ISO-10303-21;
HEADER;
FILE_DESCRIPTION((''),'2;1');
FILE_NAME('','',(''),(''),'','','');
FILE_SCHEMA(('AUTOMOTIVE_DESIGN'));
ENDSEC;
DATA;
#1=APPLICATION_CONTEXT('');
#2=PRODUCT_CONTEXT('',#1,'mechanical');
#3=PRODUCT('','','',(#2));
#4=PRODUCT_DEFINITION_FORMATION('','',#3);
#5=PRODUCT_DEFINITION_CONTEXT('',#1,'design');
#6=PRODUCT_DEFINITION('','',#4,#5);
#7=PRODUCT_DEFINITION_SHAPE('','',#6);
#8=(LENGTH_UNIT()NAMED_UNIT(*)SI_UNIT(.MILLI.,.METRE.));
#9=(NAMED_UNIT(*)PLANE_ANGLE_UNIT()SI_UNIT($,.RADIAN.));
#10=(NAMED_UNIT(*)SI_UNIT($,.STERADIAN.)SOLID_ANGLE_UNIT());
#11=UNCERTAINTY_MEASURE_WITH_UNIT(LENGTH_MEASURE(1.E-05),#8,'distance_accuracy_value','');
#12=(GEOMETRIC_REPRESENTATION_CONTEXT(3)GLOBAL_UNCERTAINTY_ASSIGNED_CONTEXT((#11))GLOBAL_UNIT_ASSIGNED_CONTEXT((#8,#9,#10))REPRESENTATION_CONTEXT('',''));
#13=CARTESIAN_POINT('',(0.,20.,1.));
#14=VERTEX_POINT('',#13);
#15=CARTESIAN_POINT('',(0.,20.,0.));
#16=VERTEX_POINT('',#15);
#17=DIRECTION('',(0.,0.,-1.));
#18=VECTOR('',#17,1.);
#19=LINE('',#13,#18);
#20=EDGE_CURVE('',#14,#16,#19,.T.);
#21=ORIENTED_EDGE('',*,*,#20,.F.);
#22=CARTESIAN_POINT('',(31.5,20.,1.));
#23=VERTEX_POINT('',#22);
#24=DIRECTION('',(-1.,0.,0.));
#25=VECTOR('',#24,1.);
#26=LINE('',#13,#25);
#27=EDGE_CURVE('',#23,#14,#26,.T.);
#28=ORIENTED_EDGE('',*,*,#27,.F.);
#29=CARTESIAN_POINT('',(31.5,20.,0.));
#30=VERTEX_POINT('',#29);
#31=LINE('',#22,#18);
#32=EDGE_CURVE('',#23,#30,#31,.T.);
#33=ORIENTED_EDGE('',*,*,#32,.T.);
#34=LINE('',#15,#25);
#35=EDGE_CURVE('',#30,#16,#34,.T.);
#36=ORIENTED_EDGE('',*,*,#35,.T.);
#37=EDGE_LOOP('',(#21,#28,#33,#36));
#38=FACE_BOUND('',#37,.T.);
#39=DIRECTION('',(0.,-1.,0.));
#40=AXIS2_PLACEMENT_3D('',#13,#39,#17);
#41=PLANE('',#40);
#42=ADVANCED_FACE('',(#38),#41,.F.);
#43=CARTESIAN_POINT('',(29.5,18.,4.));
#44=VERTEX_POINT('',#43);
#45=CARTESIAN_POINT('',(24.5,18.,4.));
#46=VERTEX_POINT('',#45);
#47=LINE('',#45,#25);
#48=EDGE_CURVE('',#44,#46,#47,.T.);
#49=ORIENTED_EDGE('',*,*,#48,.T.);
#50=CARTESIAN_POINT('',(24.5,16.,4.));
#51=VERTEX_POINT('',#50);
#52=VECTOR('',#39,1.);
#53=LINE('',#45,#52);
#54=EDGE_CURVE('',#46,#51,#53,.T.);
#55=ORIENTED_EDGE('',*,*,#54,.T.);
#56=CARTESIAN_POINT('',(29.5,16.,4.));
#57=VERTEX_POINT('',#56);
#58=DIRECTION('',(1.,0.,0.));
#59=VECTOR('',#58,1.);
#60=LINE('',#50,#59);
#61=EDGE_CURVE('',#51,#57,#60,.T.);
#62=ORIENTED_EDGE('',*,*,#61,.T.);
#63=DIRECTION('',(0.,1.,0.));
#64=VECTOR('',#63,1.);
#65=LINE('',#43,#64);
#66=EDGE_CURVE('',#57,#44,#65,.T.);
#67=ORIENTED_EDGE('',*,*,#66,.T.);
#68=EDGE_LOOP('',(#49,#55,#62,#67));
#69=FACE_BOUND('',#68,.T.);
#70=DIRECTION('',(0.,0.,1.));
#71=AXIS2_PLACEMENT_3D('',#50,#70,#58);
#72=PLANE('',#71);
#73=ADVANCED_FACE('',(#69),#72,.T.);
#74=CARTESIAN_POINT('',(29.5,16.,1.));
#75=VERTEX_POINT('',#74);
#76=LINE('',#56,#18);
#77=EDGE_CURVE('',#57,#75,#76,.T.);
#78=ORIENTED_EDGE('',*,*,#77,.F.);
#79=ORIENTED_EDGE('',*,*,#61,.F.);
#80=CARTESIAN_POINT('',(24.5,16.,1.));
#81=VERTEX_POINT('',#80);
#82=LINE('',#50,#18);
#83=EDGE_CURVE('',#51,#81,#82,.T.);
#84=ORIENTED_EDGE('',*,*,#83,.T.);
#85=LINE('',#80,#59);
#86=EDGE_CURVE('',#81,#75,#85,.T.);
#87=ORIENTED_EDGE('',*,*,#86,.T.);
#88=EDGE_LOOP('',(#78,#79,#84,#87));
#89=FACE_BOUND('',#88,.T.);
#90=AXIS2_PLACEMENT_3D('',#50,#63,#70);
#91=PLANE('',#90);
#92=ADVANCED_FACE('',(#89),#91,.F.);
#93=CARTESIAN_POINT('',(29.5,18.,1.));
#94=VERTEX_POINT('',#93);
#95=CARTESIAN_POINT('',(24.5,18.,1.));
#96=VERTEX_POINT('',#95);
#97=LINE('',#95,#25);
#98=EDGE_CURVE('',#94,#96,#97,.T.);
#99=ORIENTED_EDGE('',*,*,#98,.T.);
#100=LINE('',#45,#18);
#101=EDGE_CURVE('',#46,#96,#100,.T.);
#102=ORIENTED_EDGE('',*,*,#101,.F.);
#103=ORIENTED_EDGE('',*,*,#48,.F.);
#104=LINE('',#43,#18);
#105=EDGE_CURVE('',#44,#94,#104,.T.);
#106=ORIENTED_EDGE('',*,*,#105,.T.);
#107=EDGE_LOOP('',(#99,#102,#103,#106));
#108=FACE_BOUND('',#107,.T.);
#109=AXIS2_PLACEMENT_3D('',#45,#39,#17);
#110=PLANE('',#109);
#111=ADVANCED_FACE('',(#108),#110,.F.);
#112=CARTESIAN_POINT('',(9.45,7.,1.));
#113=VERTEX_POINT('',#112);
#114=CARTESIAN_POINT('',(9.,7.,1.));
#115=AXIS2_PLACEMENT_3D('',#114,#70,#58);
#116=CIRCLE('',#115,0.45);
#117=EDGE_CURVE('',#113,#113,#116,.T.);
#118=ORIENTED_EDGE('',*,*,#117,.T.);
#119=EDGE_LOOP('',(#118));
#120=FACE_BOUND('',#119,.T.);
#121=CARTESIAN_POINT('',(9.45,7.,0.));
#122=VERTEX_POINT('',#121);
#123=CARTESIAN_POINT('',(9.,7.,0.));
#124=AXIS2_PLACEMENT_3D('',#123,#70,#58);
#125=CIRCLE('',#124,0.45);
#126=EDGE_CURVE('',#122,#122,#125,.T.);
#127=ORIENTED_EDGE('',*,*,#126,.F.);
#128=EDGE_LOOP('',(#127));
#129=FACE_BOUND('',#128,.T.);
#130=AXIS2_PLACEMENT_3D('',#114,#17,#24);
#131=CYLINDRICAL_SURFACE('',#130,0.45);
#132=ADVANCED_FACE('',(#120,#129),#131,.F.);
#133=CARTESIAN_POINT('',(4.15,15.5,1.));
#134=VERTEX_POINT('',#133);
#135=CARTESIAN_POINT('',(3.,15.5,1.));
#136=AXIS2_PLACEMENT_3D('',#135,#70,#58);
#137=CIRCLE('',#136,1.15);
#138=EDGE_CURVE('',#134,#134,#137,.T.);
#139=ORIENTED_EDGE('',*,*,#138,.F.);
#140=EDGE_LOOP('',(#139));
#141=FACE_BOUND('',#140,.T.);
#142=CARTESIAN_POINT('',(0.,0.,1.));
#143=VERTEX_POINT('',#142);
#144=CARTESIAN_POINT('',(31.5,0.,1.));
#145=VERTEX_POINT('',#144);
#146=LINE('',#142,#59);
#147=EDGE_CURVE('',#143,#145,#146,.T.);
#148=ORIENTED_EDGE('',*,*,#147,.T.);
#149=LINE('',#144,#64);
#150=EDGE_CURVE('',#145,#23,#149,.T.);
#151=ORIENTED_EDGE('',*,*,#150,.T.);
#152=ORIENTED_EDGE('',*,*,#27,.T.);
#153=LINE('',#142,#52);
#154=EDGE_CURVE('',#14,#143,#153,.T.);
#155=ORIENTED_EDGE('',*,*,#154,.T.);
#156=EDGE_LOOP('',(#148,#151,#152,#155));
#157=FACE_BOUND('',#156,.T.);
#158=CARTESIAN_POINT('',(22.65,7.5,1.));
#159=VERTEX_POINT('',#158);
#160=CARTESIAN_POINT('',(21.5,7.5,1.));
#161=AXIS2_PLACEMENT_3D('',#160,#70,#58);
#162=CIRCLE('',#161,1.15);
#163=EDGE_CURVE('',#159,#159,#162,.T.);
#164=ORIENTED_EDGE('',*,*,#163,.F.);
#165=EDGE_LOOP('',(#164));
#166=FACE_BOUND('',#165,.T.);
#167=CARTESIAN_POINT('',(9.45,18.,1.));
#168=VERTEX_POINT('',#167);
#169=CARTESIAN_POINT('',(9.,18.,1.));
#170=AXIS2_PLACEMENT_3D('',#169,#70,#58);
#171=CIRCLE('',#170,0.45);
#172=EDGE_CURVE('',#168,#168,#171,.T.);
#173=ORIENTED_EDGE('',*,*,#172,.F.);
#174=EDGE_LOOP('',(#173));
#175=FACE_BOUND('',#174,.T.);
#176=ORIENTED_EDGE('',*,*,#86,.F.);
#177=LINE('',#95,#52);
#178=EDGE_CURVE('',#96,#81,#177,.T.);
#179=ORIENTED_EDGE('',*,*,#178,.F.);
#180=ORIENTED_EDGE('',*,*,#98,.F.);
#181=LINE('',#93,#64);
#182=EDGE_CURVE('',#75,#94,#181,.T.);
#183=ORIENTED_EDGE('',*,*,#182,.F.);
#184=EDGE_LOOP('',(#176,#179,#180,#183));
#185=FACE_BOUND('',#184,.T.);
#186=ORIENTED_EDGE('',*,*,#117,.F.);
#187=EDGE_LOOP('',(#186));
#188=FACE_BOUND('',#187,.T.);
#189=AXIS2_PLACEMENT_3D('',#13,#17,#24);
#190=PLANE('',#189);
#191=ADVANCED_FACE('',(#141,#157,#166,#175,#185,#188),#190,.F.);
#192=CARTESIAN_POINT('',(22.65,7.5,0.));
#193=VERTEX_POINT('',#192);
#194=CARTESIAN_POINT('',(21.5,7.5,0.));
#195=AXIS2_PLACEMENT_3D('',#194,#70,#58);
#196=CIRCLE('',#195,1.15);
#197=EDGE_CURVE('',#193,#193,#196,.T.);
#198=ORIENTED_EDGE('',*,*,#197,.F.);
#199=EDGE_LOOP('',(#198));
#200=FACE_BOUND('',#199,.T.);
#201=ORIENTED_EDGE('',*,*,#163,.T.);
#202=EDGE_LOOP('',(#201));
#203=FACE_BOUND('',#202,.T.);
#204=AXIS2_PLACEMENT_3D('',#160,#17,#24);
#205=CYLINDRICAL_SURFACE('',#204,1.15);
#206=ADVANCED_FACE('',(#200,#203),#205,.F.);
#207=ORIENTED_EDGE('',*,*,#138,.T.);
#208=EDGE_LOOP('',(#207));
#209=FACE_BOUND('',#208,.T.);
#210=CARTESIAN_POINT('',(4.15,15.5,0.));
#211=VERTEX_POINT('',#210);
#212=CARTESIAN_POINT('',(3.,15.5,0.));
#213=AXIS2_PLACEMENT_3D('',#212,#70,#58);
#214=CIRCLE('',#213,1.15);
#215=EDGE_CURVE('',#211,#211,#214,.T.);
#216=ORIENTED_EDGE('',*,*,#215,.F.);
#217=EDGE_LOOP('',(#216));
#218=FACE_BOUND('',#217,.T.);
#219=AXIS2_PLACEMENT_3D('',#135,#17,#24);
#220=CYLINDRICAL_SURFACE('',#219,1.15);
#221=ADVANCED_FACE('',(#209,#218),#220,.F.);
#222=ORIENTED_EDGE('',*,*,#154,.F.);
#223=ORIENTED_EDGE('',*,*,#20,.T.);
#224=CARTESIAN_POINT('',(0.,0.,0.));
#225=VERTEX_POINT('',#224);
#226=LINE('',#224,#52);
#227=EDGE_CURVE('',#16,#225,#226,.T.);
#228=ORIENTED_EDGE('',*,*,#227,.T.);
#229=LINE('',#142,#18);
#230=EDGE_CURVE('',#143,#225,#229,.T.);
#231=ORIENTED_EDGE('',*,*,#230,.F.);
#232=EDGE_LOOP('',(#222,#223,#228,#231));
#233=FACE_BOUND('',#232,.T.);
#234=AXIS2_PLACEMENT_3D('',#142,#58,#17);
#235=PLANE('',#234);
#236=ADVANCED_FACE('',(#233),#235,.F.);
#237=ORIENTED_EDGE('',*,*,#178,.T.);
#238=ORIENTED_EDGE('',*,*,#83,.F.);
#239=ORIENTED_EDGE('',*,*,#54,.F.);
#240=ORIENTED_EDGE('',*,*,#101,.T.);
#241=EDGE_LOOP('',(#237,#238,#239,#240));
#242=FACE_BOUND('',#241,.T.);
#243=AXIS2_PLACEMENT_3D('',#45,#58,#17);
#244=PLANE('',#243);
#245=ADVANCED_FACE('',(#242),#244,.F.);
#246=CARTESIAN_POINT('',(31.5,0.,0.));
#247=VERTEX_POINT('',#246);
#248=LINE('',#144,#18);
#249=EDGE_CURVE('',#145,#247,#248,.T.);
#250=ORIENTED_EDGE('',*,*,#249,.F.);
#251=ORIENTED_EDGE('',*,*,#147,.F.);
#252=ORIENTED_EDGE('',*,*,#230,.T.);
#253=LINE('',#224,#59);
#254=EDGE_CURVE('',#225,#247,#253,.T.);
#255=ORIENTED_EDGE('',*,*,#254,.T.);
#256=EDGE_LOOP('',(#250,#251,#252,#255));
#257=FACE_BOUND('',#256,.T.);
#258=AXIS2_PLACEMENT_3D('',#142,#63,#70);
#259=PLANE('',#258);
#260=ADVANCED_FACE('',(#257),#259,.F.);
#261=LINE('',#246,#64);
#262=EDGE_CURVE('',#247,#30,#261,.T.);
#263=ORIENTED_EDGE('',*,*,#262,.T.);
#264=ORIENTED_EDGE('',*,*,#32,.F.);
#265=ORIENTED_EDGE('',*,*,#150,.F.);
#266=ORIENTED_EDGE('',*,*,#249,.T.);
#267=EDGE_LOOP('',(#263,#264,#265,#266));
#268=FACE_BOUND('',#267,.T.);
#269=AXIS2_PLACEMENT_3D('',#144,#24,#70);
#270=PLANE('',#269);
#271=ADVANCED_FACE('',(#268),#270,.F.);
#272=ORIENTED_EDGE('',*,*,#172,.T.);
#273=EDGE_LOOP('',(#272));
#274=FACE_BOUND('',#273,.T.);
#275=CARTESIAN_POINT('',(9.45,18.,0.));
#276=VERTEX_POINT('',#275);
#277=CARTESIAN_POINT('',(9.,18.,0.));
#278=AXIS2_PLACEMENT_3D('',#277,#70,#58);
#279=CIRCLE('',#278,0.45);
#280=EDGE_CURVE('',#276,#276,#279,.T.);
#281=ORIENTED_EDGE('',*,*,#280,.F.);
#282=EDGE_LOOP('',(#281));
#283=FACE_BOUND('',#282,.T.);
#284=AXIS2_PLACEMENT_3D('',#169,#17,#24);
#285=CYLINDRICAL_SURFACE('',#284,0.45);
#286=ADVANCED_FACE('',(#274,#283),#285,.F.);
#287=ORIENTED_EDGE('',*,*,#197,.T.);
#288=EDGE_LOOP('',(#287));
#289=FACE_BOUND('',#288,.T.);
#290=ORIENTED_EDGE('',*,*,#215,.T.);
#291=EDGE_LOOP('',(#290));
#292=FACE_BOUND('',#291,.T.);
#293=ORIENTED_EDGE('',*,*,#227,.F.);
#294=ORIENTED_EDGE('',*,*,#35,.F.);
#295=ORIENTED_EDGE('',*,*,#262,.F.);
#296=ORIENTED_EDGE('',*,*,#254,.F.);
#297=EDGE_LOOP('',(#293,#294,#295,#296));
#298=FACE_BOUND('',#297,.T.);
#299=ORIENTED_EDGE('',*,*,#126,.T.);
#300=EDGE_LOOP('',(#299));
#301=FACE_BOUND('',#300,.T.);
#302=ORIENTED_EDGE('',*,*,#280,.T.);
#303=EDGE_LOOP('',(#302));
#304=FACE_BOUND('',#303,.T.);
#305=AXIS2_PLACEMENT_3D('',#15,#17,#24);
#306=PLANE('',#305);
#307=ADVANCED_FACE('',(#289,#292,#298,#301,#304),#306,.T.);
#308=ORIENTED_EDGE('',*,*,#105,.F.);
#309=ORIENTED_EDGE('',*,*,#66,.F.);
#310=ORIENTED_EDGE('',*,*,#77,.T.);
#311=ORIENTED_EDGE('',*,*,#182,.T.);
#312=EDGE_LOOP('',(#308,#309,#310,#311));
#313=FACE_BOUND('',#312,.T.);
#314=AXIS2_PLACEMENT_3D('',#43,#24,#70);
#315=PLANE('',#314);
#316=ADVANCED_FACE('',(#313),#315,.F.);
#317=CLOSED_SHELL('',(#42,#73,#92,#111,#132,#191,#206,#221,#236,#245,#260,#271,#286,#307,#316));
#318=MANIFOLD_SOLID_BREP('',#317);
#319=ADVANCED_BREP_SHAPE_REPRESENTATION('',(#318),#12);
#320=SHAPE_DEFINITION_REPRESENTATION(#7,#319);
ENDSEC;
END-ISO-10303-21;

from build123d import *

# Parameters (mm, degrees)
SKETCH_1_W      = 31.5
SKETCH_1_H      = 20
SKETCH_1_R      = 1.15
SKETCH_1_R_2    = 0.45
EXTRUDE_1_DEPTH = 1
SKETCH_2_W      = 5
SKETCH_2_H      = 2
EXTRUDE_2_DEPTH = 3


with BuildPart() as part:
    # Эскиз1 → Бобышка-Вытянуть1 (new body)
    with BuildSketch(Plane.XY):
        with Locations((15.75, 10)):
            Rectangle(SKETCH_1_W, SKETCH_1_H)
        with Locations((3, 15.5)):
            Circle(SKETCH_1_R, mode=Mode.SUBTRACT)
        with Locations((21.5, 7.5)):
            Circle(SKETCH_1_R, mode=Mode.SUBTRACT)
        with Locations((9, 18)):
            Circle(SKETCH_1_R_2, mode=Mode.SUBTRACT)
        with Locations((9, 7)):
            Circle(SKETCH_1_R_2, mode=Mode.SUBTRACT)
    extrude(amount=EXTRUDE_1_DEPTH)

    # Эскиз2 → Бобышка-Вытянуть2 (add)
    with BuildSketch(Plane.XY.offset(1)):
        with Locations((27, 17)):
            Rectangle(SKETCH_2_W, SKETCH_2_H)
    extrude(amount=EXTRUDE_2_DEPTH)


solid = part.part
